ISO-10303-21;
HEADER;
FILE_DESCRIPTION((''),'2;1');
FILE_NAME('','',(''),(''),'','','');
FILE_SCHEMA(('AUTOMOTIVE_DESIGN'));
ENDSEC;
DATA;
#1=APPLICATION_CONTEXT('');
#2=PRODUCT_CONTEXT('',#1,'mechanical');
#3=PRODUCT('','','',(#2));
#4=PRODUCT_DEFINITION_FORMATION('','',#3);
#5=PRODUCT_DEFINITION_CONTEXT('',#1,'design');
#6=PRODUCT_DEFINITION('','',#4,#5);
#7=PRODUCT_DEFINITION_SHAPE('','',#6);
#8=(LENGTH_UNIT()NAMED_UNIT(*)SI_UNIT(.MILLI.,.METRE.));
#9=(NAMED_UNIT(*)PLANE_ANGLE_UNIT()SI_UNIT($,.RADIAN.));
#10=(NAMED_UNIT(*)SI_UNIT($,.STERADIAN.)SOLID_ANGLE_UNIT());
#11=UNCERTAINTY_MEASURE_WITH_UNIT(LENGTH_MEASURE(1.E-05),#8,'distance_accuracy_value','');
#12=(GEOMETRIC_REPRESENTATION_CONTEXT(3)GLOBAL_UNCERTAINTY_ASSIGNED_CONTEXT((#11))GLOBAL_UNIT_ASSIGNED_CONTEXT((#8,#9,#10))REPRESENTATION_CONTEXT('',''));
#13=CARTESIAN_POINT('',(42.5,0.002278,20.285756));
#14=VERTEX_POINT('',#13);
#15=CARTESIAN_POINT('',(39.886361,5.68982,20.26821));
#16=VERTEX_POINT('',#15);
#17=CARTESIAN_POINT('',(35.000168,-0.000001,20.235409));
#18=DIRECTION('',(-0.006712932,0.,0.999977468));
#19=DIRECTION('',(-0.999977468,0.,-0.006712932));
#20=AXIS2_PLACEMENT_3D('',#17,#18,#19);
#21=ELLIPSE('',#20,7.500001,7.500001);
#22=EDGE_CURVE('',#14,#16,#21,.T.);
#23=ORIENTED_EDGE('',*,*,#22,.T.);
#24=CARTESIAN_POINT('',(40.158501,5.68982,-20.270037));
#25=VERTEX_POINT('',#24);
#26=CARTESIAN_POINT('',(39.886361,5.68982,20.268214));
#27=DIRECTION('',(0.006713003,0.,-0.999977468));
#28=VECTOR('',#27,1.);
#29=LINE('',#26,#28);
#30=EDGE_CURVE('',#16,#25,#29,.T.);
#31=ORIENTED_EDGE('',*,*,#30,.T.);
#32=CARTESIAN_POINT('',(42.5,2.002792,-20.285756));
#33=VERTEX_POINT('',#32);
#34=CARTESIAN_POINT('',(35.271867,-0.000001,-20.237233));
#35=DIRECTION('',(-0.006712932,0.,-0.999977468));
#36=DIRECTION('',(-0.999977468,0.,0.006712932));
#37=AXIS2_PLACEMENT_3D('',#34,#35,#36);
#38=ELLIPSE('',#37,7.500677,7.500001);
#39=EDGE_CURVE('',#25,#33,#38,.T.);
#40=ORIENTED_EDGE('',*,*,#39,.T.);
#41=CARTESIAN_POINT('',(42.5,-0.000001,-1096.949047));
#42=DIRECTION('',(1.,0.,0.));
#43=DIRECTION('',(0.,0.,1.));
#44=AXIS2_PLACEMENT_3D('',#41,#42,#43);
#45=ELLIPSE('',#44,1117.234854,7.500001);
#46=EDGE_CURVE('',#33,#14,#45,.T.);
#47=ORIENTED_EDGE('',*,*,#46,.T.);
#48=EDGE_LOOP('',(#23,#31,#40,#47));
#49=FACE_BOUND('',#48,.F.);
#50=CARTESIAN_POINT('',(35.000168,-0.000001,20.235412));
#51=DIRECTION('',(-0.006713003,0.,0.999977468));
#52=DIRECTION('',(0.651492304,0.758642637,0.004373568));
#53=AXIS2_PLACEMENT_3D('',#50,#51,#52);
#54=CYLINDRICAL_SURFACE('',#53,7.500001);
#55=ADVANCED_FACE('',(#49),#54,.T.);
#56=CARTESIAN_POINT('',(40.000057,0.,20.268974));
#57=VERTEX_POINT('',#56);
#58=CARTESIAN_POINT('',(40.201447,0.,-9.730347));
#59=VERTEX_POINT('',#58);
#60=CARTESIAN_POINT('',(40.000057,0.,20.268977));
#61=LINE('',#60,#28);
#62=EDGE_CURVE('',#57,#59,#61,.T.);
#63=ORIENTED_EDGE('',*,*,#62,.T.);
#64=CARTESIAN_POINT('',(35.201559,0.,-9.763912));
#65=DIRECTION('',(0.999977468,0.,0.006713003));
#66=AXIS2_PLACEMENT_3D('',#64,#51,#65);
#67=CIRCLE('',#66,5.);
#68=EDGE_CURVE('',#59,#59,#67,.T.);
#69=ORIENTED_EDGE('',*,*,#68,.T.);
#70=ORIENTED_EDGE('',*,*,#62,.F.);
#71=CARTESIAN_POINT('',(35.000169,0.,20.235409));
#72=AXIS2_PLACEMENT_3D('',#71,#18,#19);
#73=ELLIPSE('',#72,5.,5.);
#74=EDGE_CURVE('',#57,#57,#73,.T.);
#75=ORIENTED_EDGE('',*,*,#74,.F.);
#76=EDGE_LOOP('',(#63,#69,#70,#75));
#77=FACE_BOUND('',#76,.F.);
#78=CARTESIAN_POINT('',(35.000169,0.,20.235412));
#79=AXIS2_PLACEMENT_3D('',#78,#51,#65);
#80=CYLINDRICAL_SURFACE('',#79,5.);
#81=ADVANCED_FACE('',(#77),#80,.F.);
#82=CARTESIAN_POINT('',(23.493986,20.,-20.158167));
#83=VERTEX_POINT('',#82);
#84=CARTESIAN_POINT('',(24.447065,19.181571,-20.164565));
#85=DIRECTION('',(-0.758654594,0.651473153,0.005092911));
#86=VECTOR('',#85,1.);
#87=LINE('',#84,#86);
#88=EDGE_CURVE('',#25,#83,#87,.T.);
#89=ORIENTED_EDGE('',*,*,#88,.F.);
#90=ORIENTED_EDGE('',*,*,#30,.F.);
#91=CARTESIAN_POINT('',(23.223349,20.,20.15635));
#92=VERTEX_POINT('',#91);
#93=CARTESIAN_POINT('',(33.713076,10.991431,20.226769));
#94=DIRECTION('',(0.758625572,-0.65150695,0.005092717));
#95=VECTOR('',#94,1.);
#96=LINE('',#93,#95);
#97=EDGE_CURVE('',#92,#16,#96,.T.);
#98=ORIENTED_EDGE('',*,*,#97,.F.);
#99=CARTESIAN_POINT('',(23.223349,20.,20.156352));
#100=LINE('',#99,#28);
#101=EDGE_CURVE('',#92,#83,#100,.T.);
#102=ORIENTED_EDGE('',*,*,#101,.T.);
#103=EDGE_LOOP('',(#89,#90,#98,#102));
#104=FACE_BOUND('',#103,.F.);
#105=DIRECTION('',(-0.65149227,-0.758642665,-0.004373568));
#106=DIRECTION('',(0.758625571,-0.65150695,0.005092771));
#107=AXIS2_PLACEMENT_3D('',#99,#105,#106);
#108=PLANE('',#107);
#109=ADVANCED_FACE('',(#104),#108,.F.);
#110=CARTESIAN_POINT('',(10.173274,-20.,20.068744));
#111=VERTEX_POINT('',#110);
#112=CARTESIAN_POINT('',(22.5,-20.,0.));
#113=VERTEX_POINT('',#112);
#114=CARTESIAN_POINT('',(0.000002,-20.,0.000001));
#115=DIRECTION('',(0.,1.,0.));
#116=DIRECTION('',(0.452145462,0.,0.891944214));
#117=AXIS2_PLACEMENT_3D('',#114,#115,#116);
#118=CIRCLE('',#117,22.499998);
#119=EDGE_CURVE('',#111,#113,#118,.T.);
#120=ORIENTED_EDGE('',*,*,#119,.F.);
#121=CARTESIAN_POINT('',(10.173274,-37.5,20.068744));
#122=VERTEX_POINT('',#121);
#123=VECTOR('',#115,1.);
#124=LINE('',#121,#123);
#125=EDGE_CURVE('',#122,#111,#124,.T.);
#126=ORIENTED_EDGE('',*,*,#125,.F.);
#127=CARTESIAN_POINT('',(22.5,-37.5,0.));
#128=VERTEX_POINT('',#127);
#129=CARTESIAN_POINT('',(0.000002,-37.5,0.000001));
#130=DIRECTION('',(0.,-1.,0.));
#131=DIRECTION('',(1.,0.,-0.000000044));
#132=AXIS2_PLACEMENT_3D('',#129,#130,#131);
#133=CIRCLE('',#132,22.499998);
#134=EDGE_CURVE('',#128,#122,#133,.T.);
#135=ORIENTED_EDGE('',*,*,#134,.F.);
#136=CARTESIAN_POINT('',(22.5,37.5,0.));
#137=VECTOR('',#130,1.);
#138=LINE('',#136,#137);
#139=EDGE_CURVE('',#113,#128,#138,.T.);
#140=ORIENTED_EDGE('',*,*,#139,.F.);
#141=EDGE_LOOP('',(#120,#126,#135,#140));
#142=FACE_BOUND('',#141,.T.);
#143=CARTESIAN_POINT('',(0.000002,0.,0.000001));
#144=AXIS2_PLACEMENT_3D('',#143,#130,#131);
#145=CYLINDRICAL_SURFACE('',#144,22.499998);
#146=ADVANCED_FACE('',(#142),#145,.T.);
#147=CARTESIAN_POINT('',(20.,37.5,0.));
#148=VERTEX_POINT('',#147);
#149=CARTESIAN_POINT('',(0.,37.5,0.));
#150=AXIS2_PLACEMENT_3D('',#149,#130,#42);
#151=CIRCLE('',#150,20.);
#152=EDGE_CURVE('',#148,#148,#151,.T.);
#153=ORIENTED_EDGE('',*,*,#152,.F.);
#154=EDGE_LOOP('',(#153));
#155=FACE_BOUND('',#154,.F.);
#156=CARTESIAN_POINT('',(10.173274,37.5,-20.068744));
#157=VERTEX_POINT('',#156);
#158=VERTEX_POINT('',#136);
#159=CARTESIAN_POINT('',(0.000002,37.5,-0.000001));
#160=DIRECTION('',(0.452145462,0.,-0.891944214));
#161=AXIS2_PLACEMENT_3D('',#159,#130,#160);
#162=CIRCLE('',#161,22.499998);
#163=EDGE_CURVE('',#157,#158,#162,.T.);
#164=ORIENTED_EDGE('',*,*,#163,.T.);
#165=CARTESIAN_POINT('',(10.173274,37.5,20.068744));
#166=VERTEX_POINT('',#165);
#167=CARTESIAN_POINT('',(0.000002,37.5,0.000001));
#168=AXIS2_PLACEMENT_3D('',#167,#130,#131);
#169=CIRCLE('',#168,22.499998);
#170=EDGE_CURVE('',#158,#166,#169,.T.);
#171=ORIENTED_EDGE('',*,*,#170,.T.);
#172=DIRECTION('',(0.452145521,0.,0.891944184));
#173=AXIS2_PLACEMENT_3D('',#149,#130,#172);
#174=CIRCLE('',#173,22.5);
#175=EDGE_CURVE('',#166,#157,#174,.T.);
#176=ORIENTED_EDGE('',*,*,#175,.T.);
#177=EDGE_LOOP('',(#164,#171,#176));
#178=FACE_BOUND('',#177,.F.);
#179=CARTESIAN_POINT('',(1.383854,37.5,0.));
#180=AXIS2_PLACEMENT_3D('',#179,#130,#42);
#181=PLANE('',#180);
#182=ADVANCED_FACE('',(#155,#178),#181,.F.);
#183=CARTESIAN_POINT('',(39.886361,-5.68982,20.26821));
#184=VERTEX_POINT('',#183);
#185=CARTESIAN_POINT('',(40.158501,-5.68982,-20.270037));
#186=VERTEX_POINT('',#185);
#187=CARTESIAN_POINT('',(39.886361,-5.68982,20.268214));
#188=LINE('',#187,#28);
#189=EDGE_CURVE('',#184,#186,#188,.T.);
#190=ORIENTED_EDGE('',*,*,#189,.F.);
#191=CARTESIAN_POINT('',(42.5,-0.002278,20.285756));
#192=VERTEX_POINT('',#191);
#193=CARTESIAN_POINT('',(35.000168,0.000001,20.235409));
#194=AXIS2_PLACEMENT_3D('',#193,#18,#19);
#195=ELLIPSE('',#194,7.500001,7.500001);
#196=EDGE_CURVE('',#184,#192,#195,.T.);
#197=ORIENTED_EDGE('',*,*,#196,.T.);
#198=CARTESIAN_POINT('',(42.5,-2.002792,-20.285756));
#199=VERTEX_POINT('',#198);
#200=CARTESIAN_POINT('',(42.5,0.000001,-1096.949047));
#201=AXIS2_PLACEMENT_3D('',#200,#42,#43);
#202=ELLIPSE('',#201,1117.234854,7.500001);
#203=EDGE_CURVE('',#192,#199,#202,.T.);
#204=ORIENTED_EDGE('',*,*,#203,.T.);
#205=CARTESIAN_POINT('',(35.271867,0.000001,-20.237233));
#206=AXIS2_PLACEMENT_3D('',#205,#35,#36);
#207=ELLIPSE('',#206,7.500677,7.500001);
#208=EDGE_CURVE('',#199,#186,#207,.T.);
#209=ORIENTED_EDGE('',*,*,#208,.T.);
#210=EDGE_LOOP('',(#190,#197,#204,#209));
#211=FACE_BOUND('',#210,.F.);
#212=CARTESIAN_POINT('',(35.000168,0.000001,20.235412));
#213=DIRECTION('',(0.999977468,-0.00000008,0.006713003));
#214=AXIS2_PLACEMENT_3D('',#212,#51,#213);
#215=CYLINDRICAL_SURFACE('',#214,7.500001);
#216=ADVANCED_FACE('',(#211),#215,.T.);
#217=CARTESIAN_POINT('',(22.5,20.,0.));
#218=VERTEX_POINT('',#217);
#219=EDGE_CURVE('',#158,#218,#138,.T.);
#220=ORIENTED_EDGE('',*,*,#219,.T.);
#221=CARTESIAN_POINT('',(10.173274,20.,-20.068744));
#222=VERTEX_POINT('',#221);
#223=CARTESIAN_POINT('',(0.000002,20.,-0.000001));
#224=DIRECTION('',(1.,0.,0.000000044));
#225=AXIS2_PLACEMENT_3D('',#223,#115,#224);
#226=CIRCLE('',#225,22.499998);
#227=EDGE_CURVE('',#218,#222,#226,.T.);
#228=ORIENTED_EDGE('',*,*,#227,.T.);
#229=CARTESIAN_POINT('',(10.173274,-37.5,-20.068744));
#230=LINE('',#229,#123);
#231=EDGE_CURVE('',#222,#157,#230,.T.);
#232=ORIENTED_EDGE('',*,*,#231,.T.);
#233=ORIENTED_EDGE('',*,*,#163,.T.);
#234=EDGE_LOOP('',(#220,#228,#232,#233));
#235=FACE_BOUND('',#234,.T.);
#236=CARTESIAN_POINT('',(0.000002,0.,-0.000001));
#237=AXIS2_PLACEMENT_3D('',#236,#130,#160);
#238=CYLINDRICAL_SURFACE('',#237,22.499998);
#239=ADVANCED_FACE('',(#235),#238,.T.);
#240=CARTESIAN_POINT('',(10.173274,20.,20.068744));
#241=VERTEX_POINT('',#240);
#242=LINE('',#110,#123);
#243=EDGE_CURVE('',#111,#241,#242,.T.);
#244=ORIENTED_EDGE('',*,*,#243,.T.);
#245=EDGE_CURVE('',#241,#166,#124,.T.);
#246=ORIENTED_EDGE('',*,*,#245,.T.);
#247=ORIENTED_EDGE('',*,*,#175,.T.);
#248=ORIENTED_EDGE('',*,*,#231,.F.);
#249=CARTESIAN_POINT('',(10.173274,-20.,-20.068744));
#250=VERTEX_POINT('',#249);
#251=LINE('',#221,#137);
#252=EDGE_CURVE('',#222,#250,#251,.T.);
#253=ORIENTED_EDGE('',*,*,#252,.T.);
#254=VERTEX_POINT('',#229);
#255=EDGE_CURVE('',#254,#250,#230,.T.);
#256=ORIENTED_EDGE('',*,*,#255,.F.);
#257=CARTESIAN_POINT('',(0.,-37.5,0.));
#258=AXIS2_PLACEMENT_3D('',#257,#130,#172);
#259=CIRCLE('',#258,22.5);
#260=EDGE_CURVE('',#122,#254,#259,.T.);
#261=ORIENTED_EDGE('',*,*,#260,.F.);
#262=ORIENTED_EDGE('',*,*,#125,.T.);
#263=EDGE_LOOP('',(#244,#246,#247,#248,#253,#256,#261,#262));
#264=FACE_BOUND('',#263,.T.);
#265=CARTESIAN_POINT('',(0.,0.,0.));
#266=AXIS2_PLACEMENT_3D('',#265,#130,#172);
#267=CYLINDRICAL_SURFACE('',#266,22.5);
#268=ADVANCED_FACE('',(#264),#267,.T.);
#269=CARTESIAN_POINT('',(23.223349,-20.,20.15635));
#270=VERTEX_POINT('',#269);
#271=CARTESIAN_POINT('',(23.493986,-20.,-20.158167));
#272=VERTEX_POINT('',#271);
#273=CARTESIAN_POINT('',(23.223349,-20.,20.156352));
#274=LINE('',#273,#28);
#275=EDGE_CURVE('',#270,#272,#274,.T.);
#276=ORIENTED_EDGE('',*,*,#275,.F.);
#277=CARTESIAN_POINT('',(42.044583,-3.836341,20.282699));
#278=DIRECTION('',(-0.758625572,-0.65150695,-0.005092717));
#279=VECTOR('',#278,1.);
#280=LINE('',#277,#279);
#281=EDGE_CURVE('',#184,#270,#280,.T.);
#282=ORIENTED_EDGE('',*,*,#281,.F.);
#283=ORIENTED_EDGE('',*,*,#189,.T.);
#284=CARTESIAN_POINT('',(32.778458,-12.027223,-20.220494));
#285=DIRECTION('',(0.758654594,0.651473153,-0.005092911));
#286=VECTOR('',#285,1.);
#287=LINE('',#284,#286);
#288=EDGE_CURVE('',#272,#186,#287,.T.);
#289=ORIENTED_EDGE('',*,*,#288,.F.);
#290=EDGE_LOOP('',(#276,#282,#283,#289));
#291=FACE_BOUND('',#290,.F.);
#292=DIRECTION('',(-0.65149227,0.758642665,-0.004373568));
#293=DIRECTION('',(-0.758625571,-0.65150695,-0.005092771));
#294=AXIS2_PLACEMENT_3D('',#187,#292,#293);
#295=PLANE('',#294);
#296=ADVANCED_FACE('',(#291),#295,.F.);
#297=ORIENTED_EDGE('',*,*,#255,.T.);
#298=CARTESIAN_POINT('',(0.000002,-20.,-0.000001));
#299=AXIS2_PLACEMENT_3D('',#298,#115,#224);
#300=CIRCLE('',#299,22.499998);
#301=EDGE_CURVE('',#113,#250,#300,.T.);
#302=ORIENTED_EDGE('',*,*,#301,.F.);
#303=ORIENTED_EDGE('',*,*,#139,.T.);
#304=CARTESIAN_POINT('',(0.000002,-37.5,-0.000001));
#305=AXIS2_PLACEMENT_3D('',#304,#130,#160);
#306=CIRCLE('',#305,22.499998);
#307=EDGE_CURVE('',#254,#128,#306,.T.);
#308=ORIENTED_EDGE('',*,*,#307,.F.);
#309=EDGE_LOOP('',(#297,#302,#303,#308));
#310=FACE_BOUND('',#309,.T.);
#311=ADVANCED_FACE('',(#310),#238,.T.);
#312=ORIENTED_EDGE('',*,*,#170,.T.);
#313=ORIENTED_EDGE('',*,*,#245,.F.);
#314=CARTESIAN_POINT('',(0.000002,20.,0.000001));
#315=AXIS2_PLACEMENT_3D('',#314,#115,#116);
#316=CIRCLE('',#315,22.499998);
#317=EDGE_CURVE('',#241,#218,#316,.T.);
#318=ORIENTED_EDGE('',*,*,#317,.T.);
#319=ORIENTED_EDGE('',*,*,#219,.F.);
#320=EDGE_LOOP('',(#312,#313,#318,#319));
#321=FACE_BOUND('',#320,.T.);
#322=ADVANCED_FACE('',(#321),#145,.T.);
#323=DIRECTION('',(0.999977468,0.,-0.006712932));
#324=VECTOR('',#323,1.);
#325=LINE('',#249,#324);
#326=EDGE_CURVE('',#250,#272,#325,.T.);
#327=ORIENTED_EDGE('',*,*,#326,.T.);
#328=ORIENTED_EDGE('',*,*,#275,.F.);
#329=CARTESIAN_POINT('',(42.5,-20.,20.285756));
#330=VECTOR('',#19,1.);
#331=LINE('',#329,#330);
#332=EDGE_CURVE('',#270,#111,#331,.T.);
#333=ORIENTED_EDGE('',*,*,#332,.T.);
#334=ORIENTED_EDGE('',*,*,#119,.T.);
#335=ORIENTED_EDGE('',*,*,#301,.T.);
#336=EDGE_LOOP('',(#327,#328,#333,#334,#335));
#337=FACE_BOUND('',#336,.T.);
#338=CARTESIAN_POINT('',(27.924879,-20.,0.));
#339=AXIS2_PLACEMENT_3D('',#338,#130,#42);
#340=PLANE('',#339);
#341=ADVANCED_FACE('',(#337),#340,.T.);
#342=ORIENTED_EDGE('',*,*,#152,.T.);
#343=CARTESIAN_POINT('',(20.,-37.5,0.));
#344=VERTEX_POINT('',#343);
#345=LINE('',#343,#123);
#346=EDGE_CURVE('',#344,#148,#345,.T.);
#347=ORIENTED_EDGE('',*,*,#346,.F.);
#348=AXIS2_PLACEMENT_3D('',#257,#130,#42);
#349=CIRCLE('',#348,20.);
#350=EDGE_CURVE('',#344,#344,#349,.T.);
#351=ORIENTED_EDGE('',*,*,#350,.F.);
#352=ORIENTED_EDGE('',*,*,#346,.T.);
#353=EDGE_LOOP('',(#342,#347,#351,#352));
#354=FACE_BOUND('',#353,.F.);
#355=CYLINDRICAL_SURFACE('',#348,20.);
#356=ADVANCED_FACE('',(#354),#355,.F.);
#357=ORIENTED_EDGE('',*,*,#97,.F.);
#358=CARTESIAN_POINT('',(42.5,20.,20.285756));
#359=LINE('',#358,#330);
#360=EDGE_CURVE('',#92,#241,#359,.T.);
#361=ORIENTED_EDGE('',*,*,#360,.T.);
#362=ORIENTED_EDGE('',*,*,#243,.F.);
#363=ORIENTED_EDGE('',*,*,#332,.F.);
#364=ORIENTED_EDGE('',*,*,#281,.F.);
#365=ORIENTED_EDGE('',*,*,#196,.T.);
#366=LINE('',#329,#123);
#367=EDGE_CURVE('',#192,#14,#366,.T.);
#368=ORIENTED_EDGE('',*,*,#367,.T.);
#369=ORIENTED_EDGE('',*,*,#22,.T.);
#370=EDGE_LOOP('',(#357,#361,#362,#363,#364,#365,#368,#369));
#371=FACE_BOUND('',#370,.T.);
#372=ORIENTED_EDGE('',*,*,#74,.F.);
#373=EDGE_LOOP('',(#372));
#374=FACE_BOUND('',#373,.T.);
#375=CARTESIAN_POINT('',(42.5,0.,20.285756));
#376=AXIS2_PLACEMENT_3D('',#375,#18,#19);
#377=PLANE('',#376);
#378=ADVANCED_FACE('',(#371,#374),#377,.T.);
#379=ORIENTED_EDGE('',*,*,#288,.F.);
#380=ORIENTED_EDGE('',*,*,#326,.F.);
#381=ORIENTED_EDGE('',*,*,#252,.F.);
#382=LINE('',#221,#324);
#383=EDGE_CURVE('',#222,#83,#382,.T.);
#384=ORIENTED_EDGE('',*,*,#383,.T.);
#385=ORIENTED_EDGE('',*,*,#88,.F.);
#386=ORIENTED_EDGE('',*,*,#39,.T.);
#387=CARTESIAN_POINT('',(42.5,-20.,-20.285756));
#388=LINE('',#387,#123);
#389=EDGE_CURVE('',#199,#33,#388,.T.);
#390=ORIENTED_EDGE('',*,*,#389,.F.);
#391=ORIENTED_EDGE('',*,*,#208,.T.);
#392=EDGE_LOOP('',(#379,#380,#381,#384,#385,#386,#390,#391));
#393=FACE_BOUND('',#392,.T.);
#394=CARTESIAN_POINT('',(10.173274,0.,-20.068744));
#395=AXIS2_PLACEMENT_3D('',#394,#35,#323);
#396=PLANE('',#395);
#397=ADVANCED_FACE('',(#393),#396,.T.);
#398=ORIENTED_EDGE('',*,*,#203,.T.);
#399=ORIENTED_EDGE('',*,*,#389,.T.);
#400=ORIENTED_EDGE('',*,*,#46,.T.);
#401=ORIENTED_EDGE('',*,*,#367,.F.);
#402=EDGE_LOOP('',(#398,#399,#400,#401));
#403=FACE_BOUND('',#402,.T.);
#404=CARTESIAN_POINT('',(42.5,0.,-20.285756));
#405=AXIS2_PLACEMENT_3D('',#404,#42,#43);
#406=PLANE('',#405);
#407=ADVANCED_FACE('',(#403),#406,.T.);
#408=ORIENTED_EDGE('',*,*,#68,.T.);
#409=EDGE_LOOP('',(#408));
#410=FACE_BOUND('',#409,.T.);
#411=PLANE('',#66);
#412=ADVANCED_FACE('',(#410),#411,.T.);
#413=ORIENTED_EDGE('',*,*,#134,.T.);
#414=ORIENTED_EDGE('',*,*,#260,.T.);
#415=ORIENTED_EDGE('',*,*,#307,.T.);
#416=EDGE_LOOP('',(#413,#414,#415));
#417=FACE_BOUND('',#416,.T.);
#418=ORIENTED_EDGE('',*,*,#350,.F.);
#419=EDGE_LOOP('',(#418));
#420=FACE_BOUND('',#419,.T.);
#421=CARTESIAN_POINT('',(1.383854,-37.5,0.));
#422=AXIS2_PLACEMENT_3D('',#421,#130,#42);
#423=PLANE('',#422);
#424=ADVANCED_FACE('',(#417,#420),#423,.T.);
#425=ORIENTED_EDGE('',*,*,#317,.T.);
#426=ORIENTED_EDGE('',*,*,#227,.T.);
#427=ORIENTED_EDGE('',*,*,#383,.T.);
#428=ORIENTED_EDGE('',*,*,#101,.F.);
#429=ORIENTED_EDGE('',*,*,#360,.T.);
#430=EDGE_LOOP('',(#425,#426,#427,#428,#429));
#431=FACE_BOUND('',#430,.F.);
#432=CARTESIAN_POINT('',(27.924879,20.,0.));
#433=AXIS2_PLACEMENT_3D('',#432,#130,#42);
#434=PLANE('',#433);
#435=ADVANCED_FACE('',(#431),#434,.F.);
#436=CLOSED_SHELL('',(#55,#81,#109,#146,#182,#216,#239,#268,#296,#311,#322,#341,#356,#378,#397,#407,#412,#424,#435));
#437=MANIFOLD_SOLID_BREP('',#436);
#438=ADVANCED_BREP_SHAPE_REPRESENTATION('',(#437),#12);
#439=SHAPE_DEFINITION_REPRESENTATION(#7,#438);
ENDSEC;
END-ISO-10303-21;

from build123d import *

# Parameters (mm, degrees)
F1_DEPTH = 37.5
F2_DEPTH = 20
F4_DEPTH = 70
F3_R     = 5
F5_DEPTH = 30
F6_R     = 20
F7_DEPTH = 100


with BuildPart() as f1:
    # F0 (on Front) → F1 (new body, symmetric)
    with BuildSketch(Plane.XZ):
        with BuildLine():
            ThreePointArc((10.173274, -20.068744), (19.172228, -11.776064), (22.5, 0))
            ThreePointArc((22.5, 0), (19.172228, 11.776064), (10.173274, 20.068744))
            ThreePointArc((10.173274, 20.068744), (-22.5, 0), (10.173274, -20.068744))
        make_face()
    extrude(amount=F1_DEPTH, both=True)

    # F0 (on Front) → F2 (join, symmetric)
    with BuildSketch(Plane.XZ):
        with BuildLine():
            ThreePointArc((10.173274, 20.068744), (19.172228, 11.776064), (22.5, 0))
            ThreePointArc((22.5, 0), (19.172228, -11.776064), (10.173274, -20.068744))
            Line((10.173274, -20.068744), (42.5, -20.285756))
            Line((42.5, -20.285756), (42.5, 0))
            Line((42.5, 0), (42.5, 20.285756))
            Line((42.5, 20.285756), (10.173274, 20.068744))
        make_face()
    extrude(amount=F2_DEPTH, both=True)

    # F3 (on face) → F4 (cut)
    with BuildSketch(Plane(origin=(-0.134258, 0, 19.999549), x_dir=(0.999977, 0, 0.006713), z_dir=(-0.006713, 0, 0.999977))):
        with BuildLine():
            ThreePointArc((40.021521, 5.68982), (41.950542, 3.130714), (42.635219, 0))
            Line((42.635219, 0), (42.635219, 20))
            Line((42.635219, 20), (23.358133, 20))
            Line((23.358133, 20), (40.021521, 5.68982))
        make_face()
        with BuildLine():
            Line((42.635219, -20), (42.635219, 0))
            ThreePointArc((42.635219, 0), (41.950542, -3.130714), (40.021521, -5.68982))
            Line((40.021521, -5.68982), (23.358133, -20))
            Line((23.358133, -20), (42.635219, -20))
        make_face()
    extrude(amount=-F4_DEPTH, mode=Mode.SUBTRACT)

    # F3 (on face) → F5 (cut)
    with BuildSketch(Plane(origin=(-0.134258, 0, 19.999549), x_dir=(0.999977, 0, 0.006713), z_dir=(-0.006713, 0, 0.999977))):
        with Locations((35.135219, 0)):
            Circle(F3_R)
    extrude(amount=-F5_DEPTH, mode=Mode.SUBTRACT)

    # F6 (on face) → F7 (cut)
    with BuildSketch(Plane.XZ.offset(37.5)):
        Circle(F6_R)
    extrude(amount=-F7_DEPTH, mode=Mode.SUBTRACT)


solid = f1.part
